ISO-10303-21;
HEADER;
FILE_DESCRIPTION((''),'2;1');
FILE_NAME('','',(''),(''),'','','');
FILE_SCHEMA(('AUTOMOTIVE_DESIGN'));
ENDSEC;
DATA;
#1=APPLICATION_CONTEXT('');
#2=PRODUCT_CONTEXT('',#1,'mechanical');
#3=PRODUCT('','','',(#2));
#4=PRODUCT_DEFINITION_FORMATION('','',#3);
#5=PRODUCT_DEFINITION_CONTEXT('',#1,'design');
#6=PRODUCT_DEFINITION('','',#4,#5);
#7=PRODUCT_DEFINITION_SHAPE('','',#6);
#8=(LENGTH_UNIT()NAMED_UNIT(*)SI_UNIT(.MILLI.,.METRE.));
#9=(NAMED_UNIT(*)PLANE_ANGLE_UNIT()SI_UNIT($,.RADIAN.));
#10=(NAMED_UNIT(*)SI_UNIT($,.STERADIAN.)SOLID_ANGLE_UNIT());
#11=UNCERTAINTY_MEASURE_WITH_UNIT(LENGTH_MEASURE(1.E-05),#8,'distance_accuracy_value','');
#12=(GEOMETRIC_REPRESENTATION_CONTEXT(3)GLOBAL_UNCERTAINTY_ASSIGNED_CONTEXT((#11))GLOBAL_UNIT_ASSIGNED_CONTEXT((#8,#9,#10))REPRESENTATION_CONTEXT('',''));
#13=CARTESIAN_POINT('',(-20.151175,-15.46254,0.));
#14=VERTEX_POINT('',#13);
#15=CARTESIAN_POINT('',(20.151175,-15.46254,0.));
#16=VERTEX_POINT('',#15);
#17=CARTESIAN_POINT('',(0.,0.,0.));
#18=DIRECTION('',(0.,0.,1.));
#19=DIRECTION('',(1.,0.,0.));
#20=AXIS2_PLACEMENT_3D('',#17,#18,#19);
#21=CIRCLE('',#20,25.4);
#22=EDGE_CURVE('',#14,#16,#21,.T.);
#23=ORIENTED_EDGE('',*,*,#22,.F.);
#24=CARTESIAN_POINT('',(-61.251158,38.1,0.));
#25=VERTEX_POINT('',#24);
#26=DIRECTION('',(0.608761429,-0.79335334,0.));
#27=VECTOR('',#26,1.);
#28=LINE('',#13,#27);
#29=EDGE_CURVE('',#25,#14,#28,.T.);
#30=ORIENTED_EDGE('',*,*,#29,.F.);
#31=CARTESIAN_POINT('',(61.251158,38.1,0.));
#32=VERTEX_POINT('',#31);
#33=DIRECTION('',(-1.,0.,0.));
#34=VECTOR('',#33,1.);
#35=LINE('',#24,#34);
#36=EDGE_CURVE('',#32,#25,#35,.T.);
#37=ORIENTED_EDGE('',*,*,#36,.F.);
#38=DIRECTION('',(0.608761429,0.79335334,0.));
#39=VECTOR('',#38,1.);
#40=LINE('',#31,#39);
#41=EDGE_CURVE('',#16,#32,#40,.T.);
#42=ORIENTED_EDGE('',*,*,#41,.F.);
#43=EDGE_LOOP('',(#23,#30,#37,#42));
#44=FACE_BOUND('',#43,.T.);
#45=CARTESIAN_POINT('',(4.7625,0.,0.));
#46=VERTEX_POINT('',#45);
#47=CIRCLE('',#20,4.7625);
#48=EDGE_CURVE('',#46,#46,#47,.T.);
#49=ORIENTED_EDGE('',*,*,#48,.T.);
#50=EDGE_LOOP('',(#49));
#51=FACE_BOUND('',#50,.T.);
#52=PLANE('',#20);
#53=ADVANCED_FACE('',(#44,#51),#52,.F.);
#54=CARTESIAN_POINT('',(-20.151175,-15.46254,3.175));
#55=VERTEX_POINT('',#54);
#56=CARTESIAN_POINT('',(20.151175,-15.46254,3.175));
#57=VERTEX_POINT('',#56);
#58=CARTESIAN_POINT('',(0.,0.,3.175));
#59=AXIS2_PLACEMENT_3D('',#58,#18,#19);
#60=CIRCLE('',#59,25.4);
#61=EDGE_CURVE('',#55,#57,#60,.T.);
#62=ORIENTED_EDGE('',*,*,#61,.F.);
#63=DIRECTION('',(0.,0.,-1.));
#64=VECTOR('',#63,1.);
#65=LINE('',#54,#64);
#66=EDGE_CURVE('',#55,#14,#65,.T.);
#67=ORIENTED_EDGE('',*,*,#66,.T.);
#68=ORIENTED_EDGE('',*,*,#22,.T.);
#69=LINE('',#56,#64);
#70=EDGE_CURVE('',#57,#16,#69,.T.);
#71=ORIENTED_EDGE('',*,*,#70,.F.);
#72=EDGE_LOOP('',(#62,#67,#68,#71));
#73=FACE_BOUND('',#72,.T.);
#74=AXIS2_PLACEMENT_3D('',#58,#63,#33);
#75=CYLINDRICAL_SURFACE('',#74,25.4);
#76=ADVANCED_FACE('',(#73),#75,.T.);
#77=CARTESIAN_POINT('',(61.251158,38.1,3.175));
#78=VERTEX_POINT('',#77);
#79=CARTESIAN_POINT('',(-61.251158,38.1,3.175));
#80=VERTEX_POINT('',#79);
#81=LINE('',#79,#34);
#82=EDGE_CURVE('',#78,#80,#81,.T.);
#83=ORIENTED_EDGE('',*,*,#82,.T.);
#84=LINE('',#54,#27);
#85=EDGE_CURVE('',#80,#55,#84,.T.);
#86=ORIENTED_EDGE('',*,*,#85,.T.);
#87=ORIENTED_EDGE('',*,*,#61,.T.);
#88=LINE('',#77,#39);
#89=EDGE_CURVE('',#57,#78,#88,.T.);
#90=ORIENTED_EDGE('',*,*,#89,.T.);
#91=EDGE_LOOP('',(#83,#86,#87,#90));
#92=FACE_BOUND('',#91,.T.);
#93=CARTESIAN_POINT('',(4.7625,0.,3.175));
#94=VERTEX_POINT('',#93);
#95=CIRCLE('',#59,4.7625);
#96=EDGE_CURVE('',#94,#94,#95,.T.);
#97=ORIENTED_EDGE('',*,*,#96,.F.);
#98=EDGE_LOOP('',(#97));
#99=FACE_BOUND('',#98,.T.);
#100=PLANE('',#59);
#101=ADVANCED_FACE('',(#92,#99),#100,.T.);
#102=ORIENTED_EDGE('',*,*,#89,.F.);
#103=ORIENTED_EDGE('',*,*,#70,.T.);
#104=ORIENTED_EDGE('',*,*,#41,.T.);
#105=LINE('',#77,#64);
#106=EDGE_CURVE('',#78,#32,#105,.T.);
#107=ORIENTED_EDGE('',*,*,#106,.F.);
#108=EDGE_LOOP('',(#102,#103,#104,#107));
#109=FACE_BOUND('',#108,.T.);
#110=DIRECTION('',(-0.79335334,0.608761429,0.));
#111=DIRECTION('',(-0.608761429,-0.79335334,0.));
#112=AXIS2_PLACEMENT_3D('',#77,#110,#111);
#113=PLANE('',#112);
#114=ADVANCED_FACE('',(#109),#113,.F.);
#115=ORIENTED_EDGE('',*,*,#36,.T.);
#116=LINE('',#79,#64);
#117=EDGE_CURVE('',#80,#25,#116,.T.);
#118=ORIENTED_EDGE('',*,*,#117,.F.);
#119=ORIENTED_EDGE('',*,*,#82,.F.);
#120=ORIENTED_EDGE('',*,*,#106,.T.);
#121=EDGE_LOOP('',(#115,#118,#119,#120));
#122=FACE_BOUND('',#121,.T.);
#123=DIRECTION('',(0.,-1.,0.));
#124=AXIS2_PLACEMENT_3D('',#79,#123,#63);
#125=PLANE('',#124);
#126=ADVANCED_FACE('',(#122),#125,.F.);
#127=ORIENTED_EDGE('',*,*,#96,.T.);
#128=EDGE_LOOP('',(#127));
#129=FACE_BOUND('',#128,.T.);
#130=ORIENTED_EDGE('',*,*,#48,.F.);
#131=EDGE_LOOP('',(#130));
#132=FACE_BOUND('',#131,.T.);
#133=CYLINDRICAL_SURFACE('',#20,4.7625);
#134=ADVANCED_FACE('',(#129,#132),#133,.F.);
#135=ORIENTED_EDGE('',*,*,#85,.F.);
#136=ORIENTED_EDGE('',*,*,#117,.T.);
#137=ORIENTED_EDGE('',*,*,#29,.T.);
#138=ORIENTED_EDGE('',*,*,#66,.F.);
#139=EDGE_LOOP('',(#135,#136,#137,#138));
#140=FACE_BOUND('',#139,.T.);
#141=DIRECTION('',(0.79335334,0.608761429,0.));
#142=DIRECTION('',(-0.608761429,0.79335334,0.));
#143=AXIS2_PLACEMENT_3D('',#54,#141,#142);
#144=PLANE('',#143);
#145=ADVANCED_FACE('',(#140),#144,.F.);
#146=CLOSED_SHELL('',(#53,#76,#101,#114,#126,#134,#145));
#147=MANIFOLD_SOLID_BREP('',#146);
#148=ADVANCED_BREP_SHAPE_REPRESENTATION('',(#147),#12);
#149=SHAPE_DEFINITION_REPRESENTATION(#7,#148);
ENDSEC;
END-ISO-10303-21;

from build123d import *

# Parameters (mm, degrees)
BOSS_EXTRUDE1_DEPTH = 3.175
SKETCH2_R           = 4.7625
CUT_EXTRUDE1_DEPTH  = 73.203842884


with BuildPart() as part:
    # Sketch1 → Boss-Extrude1 (new body)
    with BuildSketch(Plane.XY):
        with BuildLine():
            Line((-20.151174843, -15.462540297), (-61.251157558, 38.1))
            Line((-61.251157558, 38.1), (61.251157558, 38.1))
            Line((61.251157558, 38.1), (20.151174843, -15.462540297))
            ThreePointArc((20.151174843, -15.462540297), (0, -25.4), (-20.151174843, -15.462540297))
        make_face()
    extrude(amount=BOSS_EXTRUDE1_DEPTH)

    # Sketch2 → Cut-Extrude1 (cut, through all)
    with BuildSketch(Plane.XY.offset(3.175)):
        Circle(SKETCH2_R)
    extrude(amount=-CUT_EXTRUDE1_DEPTH, mode=Mode.SUBTRACT)


solid = part.part
